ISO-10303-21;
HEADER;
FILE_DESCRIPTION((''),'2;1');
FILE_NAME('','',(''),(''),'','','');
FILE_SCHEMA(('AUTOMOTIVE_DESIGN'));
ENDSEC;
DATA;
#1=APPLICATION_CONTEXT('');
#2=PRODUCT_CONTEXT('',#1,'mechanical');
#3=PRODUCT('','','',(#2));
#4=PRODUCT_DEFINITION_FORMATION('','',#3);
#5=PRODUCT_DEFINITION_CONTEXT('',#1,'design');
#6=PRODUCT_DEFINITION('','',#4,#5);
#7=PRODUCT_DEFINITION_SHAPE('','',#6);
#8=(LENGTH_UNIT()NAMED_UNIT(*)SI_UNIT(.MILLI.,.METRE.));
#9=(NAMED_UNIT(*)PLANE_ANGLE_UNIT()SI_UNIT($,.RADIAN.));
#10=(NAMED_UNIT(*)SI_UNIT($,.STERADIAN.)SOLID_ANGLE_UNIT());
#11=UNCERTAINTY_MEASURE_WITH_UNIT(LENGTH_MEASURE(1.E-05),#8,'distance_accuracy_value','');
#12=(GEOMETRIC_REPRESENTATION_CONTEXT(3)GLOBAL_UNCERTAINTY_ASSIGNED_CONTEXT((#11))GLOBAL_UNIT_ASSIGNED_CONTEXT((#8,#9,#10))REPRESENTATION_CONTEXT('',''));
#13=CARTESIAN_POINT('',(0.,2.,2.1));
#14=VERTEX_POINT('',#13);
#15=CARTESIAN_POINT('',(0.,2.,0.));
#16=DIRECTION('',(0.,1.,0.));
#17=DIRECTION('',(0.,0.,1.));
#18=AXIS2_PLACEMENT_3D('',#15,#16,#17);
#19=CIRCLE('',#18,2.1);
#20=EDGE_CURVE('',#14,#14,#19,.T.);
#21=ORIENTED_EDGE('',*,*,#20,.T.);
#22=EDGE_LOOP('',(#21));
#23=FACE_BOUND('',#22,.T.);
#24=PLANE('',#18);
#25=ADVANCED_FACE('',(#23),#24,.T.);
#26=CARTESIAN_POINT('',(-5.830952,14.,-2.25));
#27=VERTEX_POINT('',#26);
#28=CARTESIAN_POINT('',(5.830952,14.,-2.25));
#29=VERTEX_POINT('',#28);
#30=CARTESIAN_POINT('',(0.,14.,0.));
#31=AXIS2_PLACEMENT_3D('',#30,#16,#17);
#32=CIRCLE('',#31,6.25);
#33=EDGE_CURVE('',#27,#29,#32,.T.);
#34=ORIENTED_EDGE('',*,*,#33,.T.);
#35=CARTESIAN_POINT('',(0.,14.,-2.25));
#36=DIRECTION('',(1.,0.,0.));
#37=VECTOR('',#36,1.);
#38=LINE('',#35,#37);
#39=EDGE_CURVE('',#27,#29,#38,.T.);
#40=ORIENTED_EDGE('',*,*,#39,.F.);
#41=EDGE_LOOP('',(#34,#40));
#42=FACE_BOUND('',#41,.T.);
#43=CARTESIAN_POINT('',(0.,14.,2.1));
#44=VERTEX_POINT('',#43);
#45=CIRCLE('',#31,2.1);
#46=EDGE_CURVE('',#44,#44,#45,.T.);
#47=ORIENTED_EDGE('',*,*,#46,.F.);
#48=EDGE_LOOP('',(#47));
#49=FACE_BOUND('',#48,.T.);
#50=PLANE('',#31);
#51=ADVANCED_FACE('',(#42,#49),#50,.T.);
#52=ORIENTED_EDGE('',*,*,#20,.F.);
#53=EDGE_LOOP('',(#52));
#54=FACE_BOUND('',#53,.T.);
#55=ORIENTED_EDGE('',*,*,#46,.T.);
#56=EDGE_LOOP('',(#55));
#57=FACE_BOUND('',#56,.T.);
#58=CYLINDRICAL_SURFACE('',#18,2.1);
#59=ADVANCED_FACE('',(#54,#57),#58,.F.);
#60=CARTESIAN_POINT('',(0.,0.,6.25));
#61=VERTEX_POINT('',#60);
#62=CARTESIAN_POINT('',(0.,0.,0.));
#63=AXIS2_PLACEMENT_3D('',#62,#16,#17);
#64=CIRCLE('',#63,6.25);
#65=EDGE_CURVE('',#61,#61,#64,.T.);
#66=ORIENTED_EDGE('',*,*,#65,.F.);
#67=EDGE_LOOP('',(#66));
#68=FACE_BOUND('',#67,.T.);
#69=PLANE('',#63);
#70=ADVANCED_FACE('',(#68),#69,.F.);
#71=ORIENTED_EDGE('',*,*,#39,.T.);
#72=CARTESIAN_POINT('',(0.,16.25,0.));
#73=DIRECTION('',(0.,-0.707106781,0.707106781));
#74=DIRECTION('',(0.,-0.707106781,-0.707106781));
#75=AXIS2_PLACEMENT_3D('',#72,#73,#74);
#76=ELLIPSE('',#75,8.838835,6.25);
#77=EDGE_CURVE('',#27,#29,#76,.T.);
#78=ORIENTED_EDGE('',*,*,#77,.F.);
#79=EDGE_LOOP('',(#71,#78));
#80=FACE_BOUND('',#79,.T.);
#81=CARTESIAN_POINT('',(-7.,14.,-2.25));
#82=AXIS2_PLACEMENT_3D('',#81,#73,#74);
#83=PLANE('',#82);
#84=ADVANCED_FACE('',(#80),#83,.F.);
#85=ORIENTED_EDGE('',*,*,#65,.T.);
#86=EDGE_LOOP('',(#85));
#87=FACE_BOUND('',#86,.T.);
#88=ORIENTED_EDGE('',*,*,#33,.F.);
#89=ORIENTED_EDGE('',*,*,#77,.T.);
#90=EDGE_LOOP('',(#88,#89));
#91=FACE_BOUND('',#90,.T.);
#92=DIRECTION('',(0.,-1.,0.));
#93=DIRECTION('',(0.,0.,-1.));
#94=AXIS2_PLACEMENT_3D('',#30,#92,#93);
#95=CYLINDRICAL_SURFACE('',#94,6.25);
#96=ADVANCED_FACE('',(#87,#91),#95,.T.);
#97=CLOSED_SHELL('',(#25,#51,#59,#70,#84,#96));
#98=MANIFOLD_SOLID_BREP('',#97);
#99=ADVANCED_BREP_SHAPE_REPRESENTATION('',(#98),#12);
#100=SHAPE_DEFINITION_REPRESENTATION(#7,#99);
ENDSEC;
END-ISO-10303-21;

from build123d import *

# Parameters (mm, degrees)
SKETCH1_R           = 6.25
BOSS_EXTRUDE1_DEPTH = 14
SKETCH2_R           = 2.1
CUT_EXTRUDE1_DEPTH  = 12
CUT_EXTRUDE2_DEPTH  = 7


with BuildPart() as part:
    # Sketch1 → Boss-Extrude1 (new body)
    with BuildSketch(Plane(origin=(0, 0, 0), x_dir=(1, 0, 0), z_dir=(0, 1, 0))):
        Circle(SKETCH1_R)
    extrude(amount=BOSS_EXTRUDE1_DEPTH)

    # Sketch2 → Cut-Extrude1 (cut)
    with BuildSketch(Plane(origin=(0, 14, 0), x_dir=(1, 0, 0), z_dir=(0, 1, 0))):
        Circle(SKETCH2_R)
    extrude(amount=-CUT_EXTRUDE1_DEPTH, mode=Mode.SUBTRACT)

    # Sketch3 → Cut-Extrude2 (cut, symmetric)
    with BuildSketch(Plane(origin=(0, 0, 0), x_dir=(0, 0, -1), z_dir=(1, 0, 0))):
        Polygon((2.25, 14), (6.25, 10), (6.25, 14), align=None)
    extrude(amount=CUT_EXTRUDE2_DEPTH, both=True, mode=Mode.SUBTRACT)


solid = part.part
